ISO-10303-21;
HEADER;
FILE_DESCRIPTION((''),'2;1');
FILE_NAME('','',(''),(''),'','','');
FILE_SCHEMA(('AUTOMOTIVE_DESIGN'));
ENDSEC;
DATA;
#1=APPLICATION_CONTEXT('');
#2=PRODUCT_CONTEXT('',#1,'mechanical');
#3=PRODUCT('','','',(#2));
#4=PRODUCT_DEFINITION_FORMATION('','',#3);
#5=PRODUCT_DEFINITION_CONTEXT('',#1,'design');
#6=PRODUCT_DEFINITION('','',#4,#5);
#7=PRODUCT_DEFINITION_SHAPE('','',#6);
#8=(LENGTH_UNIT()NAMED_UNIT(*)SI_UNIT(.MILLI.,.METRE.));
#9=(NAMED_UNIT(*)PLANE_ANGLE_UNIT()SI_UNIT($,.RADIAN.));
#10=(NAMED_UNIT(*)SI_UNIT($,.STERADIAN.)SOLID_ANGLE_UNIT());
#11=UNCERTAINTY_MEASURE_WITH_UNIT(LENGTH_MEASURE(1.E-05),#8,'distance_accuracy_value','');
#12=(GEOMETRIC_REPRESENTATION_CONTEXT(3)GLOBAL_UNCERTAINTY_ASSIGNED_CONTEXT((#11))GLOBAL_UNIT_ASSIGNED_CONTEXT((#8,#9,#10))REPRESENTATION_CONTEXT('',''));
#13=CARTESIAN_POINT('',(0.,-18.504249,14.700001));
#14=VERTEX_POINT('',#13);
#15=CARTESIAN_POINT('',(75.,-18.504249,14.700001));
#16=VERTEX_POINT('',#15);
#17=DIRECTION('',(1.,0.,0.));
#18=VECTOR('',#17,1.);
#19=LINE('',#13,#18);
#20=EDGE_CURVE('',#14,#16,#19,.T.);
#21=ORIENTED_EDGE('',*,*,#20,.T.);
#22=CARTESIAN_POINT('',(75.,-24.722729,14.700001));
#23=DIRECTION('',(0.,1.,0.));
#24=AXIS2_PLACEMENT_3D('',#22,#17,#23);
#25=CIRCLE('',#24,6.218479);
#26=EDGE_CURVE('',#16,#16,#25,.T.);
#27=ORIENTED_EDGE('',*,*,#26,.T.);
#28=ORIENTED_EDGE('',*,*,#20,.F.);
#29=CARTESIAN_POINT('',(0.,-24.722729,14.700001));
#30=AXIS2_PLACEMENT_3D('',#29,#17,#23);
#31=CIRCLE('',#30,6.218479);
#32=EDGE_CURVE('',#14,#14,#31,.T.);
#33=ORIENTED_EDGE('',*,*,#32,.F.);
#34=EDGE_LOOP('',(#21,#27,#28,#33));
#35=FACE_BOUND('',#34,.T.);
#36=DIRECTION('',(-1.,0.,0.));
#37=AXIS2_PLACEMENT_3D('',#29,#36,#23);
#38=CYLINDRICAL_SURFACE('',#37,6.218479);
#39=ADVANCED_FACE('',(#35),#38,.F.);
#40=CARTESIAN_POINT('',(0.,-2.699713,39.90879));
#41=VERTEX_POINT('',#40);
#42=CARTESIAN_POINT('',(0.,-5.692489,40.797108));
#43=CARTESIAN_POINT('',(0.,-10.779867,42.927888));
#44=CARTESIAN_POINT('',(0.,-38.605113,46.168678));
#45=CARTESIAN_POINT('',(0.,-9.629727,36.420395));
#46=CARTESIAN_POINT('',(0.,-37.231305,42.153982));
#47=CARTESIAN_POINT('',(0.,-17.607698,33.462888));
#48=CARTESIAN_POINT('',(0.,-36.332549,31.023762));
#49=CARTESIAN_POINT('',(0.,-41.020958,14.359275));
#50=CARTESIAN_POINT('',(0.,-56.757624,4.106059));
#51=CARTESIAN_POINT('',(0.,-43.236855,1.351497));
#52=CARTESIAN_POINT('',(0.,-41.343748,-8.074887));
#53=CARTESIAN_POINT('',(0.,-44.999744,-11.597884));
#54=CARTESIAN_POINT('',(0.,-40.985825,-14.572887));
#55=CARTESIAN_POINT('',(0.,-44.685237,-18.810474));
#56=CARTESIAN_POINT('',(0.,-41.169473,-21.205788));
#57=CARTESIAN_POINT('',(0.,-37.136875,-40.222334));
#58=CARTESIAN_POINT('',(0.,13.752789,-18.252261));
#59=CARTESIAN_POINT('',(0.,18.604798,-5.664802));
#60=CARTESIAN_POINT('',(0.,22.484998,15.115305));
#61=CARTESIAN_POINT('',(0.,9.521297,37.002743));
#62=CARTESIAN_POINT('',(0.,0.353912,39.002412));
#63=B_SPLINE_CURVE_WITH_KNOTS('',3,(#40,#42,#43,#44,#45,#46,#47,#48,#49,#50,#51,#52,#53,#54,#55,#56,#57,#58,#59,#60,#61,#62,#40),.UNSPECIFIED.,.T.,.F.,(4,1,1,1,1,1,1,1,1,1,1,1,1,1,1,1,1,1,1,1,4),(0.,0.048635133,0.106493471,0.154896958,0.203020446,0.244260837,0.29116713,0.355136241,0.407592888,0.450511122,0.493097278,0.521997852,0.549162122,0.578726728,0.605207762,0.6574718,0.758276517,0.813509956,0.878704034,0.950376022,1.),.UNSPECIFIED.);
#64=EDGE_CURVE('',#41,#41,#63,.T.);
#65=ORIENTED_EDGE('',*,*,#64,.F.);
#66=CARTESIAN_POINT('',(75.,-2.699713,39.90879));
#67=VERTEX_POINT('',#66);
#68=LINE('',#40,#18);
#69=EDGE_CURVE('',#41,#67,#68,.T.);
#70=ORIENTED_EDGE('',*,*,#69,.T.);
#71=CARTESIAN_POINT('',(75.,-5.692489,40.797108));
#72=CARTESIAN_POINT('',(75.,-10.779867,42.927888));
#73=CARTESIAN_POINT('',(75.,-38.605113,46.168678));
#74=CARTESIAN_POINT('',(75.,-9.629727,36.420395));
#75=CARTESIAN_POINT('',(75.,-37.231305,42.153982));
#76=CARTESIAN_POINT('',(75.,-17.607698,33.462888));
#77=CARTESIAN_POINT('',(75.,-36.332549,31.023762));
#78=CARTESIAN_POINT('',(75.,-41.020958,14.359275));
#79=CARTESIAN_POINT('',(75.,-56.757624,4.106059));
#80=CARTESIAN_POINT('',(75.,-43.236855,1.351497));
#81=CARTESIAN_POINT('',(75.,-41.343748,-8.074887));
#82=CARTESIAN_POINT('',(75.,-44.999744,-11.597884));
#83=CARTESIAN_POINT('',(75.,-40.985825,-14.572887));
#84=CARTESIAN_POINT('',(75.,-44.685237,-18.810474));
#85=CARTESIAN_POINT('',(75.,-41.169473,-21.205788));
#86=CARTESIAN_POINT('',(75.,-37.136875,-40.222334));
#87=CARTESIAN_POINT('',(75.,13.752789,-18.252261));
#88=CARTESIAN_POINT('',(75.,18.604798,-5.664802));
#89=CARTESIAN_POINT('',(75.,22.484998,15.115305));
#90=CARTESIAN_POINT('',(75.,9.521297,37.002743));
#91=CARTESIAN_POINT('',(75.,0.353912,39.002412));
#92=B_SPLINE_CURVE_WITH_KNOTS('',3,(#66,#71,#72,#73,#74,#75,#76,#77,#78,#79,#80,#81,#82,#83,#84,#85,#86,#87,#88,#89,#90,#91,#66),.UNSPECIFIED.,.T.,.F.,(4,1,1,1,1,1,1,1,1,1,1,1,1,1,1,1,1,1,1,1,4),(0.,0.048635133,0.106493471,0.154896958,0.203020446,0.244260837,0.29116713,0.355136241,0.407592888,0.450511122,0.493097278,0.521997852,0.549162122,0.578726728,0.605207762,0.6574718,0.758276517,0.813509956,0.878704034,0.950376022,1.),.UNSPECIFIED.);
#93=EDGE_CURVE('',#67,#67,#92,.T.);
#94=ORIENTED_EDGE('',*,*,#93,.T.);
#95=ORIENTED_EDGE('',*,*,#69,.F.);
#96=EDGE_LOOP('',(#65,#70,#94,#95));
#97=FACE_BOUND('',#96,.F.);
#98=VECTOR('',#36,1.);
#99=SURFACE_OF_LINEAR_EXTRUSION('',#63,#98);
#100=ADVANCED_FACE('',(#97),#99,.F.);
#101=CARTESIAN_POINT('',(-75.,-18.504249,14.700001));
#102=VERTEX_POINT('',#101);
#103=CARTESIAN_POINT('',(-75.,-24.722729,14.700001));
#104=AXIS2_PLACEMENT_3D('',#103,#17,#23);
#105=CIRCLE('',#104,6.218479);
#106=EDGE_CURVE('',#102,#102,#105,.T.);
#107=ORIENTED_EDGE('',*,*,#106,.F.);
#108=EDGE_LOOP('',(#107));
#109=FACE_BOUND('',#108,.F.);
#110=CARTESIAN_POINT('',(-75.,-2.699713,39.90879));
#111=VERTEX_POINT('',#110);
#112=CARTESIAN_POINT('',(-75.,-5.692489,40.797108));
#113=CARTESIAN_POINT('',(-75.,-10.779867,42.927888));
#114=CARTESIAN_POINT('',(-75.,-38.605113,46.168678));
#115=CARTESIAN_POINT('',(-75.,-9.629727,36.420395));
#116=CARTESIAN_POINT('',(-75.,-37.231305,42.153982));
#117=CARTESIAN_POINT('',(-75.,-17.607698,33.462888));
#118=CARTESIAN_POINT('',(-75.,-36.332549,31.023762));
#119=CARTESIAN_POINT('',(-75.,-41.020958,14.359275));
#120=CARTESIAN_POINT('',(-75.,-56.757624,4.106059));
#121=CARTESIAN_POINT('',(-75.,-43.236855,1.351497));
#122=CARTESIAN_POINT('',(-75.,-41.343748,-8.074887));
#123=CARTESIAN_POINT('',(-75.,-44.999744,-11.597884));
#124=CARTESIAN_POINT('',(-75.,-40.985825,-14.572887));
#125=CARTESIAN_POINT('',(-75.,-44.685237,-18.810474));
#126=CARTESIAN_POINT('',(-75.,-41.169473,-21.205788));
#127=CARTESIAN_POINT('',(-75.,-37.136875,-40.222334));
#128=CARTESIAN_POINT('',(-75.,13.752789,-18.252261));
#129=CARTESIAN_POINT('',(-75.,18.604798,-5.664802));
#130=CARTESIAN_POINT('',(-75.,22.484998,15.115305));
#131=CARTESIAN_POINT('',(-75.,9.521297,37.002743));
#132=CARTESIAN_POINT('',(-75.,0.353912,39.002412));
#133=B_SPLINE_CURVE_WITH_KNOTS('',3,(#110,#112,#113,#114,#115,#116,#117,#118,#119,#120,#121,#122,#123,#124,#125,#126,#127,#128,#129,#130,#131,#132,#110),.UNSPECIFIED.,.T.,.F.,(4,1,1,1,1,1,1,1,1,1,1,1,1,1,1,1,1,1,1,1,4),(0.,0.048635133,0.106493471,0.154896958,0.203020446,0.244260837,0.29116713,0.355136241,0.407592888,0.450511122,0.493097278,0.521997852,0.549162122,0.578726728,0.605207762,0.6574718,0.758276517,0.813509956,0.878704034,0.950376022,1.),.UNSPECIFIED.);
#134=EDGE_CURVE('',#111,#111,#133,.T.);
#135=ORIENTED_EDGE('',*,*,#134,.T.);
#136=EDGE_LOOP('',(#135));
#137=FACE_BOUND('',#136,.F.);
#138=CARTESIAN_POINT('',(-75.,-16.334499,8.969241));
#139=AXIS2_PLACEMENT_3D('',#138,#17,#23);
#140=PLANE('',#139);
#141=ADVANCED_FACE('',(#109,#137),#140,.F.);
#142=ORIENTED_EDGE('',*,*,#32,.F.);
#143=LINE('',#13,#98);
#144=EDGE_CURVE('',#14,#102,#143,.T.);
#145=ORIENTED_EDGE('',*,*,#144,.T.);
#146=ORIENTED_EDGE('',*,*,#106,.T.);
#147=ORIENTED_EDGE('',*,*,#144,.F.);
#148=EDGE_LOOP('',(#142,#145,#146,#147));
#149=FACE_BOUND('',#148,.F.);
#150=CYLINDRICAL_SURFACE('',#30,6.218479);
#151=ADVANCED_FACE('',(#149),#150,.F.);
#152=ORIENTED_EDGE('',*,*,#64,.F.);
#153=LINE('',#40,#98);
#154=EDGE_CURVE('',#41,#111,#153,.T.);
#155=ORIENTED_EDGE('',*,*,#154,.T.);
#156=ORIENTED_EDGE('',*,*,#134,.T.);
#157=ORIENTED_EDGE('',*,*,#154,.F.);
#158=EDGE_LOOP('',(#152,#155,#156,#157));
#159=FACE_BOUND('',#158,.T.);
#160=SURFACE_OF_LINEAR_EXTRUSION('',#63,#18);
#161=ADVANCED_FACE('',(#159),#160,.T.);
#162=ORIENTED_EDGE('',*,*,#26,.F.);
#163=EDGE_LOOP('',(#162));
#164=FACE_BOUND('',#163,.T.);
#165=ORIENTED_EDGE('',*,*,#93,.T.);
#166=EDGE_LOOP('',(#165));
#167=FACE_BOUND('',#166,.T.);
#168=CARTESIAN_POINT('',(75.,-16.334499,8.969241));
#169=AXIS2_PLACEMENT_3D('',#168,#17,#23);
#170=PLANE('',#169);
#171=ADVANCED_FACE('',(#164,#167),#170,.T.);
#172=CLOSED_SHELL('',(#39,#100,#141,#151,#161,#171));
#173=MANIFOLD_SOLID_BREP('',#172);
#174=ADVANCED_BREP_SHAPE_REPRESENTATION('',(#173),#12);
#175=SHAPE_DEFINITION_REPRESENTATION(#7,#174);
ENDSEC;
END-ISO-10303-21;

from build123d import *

# Parameters (mm, degrees)
F0_R     = 6.2184794503
F1_DEPTH = 75


with BuildPart() as f1:
    # F0 (on Right) → F1 (new body, symmetric)
    with BuildSketch(Plane.YZ):
        with BuildLine():
            add(Edge.make_bspline(
                [(-2.6997126391, 39.908790406), (-5.6924887327, 40.7971078934), (-10.7798665601, 42.9278879663), (-38.6051126405, 46.1686784192), (-9.6297272422, 36.4203949686), (-37.2313045332, 42.1539822972), (-17.607698472, 33.46288826), (-36.3325493004, 31.0237621547), (-41.0209584108, 14.3592748643), (-56.7576237143, 4.1060589908), (-43.2368553109, 1.351497114), (-41.343747799, -8.074887025), (-44.999743711, -11.5978840396), (-40.9858245172, -14.5728865138), (-44.6852365759, -18.8104739112), (-41.1694727807, -21.2057879886), (-37.1368752383, -40.2223341754), (13.7527885577, -18.2522614684), (18.6047982235, -5.6648015424), (22.4849982086, 15.1153046209), (9.5212971848, 37.0027427773), (0.3539123065, 39.002411728), (-2.6997126391, 39.908790406)],
                knots=[0, 0, 0, 0, 0.0486351332, 0.1064934712, 0.1548969579, 0.2030204458, 0.2442608367, 0.2911671296, 0.3551362407, 0.4075928875, 0.4505111216, 0.4930972778, 0.5219978522, 0.5491621218, 0.5787267277, 0.6052077622, 0.6574717995, 0.7582765167, 0.8135099558, 0.8787040344, 0.9503760217, 1, 1, 1, 1], degree=3))
        make_face()
        with Locations((-24.7227288783, 14.7000011057)):
            Circle(F0_R, mode=Mode.SUBTRACT)
    extrude(amount=F1_DEPTH, both=True)


solid = f1.part
